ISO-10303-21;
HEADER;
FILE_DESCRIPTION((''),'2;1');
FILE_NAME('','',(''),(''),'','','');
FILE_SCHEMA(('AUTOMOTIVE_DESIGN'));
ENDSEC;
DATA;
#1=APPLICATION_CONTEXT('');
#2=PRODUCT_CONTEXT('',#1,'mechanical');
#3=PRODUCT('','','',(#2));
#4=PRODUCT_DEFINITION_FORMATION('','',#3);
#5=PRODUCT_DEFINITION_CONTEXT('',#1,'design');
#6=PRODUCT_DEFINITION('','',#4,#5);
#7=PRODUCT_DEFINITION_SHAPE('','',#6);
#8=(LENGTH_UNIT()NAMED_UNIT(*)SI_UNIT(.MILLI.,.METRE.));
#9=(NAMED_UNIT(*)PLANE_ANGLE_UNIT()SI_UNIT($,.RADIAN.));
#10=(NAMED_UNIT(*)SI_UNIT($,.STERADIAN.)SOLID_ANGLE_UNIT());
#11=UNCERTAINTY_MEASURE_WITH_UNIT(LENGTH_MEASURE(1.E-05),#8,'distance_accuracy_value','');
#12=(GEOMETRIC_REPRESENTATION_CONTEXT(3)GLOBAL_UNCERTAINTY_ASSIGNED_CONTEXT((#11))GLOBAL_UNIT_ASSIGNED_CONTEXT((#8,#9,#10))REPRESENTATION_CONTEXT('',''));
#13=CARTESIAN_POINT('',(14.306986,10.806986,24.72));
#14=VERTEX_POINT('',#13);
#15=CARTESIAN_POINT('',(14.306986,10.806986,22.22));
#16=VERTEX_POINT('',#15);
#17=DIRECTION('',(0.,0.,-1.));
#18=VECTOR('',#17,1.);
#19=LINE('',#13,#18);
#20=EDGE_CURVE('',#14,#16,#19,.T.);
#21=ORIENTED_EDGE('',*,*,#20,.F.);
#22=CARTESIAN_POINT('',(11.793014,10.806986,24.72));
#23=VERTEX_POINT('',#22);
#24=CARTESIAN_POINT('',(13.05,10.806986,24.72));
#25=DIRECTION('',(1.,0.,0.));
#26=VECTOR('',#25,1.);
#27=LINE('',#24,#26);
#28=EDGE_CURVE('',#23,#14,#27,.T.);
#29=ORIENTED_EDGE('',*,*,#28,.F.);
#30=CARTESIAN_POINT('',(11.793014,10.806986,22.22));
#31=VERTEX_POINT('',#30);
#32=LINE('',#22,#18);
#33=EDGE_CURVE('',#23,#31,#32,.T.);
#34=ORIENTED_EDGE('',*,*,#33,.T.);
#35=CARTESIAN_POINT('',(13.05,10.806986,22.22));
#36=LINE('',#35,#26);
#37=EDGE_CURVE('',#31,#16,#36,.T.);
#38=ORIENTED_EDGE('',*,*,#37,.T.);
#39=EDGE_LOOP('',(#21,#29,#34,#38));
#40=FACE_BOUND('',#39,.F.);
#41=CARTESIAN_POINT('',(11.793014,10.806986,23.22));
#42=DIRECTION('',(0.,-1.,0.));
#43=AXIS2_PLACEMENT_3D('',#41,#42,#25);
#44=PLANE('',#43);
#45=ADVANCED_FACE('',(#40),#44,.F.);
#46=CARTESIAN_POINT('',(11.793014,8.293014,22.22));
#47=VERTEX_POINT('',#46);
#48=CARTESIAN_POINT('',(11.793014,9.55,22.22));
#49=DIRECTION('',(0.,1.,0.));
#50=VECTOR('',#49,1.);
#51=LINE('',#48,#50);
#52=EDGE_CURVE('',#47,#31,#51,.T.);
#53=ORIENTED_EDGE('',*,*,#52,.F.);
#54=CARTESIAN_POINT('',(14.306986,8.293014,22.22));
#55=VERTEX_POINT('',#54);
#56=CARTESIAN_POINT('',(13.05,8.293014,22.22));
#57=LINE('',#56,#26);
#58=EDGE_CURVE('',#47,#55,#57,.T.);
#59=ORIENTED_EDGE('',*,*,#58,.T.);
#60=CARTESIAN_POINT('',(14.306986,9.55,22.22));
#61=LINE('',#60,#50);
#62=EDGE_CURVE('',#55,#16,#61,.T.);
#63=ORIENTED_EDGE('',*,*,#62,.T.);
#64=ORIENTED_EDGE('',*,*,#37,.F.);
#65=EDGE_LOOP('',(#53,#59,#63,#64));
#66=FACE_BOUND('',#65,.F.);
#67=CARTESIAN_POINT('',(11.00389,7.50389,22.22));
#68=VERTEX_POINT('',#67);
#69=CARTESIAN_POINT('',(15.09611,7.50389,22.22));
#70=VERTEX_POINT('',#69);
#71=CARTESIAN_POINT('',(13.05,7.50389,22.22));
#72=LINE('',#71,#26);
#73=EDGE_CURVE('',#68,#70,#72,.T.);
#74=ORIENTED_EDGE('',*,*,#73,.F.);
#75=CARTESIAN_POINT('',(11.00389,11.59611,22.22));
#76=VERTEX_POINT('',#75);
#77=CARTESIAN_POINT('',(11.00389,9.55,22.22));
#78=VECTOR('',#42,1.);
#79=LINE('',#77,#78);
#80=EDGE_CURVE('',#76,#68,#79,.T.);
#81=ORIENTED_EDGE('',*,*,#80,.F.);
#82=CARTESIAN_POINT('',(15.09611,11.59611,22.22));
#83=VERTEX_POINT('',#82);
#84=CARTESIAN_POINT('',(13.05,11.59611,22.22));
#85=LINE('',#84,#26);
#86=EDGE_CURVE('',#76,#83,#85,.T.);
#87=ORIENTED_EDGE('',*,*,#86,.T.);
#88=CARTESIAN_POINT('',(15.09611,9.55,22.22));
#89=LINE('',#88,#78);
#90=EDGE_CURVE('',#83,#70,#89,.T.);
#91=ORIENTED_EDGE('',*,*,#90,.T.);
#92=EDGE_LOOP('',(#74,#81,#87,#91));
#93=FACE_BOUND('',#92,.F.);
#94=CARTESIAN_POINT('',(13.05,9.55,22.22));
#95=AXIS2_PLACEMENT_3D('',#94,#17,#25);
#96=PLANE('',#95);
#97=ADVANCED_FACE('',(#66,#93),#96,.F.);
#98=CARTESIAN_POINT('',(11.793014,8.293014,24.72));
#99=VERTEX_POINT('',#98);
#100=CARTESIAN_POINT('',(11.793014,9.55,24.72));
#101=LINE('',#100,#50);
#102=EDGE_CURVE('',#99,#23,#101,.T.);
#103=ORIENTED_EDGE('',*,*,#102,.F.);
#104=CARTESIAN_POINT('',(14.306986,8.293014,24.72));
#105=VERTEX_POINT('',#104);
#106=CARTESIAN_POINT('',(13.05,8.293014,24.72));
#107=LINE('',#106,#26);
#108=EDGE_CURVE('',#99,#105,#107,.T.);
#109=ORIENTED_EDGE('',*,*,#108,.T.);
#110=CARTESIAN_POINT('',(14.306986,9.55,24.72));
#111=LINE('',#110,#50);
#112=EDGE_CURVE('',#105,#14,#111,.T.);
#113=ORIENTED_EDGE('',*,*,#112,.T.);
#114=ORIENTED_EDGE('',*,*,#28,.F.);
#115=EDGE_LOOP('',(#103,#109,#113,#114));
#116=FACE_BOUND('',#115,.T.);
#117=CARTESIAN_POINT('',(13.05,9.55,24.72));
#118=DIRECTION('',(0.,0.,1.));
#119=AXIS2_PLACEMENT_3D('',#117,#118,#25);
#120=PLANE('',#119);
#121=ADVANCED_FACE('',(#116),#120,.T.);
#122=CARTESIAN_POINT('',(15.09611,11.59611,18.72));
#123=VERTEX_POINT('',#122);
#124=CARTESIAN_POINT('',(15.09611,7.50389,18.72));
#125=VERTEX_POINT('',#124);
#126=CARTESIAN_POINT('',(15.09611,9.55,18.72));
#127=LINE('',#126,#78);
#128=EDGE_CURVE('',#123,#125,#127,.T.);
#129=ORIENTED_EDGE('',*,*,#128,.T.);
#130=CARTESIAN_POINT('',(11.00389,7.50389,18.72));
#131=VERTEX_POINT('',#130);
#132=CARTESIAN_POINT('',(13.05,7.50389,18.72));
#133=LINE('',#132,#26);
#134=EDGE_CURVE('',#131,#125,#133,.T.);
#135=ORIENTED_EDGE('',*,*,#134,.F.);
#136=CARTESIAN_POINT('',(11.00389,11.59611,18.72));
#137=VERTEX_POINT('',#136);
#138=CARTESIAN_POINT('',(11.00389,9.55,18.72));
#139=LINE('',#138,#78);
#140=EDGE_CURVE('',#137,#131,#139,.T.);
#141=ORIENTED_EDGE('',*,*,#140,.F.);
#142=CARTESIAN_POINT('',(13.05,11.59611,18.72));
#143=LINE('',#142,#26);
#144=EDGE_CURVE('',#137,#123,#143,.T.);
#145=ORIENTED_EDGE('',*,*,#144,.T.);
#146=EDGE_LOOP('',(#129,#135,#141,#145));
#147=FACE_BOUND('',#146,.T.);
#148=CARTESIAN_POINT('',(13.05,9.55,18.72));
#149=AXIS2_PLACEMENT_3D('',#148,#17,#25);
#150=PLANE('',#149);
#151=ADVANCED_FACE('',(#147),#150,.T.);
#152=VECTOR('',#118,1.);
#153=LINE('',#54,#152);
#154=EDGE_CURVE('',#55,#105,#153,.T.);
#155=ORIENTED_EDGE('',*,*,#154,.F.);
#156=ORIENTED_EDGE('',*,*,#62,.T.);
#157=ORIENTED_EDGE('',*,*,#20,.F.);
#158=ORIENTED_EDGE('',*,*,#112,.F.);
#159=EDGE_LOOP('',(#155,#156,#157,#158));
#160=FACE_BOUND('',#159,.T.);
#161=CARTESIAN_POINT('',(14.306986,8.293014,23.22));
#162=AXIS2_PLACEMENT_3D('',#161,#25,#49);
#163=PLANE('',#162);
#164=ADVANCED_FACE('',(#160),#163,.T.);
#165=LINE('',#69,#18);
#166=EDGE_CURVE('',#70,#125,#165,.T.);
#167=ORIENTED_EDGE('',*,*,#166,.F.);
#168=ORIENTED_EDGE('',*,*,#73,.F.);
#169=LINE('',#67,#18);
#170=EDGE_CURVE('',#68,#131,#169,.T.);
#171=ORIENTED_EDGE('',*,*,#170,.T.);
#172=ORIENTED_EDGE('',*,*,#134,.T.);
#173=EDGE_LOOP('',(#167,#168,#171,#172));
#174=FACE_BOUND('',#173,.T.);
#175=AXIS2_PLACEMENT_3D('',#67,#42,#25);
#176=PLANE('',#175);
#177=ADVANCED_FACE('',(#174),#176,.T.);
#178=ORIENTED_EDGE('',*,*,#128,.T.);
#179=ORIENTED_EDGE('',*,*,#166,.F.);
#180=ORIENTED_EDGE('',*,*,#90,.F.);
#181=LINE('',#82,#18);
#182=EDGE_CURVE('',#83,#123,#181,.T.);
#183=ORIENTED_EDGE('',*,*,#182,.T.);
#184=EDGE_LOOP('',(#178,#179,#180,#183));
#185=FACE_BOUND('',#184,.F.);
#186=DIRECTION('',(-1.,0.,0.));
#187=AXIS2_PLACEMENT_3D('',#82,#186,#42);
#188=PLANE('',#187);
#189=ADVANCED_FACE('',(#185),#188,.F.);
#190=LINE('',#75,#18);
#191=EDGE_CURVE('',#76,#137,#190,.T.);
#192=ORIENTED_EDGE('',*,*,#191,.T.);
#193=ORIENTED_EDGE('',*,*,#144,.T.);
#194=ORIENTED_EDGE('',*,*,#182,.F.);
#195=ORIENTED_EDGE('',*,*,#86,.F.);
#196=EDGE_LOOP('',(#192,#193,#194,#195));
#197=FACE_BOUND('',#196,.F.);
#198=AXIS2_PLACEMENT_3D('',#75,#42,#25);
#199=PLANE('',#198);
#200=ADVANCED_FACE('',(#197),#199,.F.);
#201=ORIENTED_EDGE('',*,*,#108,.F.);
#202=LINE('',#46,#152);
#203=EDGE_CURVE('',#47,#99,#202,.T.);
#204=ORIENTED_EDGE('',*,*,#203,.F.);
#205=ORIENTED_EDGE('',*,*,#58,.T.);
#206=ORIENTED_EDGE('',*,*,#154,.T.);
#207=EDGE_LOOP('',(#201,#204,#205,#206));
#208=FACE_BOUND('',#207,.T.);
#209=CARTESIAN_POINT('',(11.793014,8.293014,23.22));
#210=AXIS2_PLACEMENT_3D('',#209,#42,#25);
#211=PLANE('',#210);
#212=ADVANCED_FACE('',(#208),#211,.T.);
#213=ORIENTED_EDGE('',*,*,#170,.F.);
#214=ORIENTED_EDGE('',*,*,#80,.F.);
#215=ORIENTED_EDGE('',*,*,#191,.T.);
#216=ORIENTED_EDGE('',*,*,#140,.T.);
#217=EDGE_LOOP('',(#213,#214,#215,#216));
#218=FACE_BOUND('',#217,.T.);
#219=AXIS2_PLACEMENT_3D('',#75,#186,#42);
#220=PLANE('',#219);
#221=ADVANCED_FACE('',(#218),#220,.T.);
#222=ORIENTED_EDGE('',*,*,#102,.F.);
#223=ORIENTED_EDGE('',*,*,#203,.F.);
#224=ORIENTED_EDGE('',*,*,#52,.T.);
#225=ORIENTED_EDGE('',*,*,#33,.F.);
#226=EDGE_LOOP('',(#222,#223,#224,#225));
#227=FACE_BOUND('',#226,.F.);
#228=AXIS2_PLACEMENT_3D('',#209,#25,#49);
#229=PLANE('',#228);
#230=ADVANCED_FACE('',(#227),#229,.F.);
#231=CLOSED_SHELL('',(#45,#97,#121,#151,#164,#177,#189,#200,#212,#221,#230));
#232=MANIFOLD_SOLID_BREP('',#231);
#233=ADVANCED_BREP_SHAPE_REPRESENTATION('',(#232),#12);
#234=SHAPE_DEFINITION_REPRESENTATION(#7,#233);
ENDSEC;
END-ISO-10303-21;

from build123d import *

# Parameters (mm, degrees)
SKETCH010_W  = 2.513972
SKETCH010_H  = 2.513972
PAD003_DEPTH = 1.5
PAD004_DEPTH = 1
SKETCH011_W  = 4.09222
SKETCH011_H  = 4.09222
PAD005_DEPTH = 3.5


with BuildPart() as part:
    # Sketch010 (on Face1 of ShapeBinder002) → Pad003 (new body)
    with BuildSketch(Plane.XY.offset(23.22)):
        with Locations((13.05, 9.55)):
            Rectangle(SKETCH010_W, SKETCH010_H)
    extrude(amount=PAD003_DEPTH)

    # Sketch010 (on Face1 of ShapeBinder002) → Pad004 (join)
    with BuildSketch(Plane.XY.offset(23.22)):
        with Locations((13.05, 9.55)):
            Rectangle(SKETCH010_W, SKETCH010_H)
    extrude(amount=-PAD004_DEPTH)

    # Sketch011 (on Face1 of Pad004) → Pad005 (join)
    with BuildSketch(Plane(origin=(0, 0, 22.22), x_dir=(1, 0, 0), z_dir=(0, 0, -1))):
        with Locations((13.05, -9.55)):
            Rectangle(SKETCH011_W, SKETCH011_H)
    extrude(amount=PAD005_DEPTH)


solid = part.part
